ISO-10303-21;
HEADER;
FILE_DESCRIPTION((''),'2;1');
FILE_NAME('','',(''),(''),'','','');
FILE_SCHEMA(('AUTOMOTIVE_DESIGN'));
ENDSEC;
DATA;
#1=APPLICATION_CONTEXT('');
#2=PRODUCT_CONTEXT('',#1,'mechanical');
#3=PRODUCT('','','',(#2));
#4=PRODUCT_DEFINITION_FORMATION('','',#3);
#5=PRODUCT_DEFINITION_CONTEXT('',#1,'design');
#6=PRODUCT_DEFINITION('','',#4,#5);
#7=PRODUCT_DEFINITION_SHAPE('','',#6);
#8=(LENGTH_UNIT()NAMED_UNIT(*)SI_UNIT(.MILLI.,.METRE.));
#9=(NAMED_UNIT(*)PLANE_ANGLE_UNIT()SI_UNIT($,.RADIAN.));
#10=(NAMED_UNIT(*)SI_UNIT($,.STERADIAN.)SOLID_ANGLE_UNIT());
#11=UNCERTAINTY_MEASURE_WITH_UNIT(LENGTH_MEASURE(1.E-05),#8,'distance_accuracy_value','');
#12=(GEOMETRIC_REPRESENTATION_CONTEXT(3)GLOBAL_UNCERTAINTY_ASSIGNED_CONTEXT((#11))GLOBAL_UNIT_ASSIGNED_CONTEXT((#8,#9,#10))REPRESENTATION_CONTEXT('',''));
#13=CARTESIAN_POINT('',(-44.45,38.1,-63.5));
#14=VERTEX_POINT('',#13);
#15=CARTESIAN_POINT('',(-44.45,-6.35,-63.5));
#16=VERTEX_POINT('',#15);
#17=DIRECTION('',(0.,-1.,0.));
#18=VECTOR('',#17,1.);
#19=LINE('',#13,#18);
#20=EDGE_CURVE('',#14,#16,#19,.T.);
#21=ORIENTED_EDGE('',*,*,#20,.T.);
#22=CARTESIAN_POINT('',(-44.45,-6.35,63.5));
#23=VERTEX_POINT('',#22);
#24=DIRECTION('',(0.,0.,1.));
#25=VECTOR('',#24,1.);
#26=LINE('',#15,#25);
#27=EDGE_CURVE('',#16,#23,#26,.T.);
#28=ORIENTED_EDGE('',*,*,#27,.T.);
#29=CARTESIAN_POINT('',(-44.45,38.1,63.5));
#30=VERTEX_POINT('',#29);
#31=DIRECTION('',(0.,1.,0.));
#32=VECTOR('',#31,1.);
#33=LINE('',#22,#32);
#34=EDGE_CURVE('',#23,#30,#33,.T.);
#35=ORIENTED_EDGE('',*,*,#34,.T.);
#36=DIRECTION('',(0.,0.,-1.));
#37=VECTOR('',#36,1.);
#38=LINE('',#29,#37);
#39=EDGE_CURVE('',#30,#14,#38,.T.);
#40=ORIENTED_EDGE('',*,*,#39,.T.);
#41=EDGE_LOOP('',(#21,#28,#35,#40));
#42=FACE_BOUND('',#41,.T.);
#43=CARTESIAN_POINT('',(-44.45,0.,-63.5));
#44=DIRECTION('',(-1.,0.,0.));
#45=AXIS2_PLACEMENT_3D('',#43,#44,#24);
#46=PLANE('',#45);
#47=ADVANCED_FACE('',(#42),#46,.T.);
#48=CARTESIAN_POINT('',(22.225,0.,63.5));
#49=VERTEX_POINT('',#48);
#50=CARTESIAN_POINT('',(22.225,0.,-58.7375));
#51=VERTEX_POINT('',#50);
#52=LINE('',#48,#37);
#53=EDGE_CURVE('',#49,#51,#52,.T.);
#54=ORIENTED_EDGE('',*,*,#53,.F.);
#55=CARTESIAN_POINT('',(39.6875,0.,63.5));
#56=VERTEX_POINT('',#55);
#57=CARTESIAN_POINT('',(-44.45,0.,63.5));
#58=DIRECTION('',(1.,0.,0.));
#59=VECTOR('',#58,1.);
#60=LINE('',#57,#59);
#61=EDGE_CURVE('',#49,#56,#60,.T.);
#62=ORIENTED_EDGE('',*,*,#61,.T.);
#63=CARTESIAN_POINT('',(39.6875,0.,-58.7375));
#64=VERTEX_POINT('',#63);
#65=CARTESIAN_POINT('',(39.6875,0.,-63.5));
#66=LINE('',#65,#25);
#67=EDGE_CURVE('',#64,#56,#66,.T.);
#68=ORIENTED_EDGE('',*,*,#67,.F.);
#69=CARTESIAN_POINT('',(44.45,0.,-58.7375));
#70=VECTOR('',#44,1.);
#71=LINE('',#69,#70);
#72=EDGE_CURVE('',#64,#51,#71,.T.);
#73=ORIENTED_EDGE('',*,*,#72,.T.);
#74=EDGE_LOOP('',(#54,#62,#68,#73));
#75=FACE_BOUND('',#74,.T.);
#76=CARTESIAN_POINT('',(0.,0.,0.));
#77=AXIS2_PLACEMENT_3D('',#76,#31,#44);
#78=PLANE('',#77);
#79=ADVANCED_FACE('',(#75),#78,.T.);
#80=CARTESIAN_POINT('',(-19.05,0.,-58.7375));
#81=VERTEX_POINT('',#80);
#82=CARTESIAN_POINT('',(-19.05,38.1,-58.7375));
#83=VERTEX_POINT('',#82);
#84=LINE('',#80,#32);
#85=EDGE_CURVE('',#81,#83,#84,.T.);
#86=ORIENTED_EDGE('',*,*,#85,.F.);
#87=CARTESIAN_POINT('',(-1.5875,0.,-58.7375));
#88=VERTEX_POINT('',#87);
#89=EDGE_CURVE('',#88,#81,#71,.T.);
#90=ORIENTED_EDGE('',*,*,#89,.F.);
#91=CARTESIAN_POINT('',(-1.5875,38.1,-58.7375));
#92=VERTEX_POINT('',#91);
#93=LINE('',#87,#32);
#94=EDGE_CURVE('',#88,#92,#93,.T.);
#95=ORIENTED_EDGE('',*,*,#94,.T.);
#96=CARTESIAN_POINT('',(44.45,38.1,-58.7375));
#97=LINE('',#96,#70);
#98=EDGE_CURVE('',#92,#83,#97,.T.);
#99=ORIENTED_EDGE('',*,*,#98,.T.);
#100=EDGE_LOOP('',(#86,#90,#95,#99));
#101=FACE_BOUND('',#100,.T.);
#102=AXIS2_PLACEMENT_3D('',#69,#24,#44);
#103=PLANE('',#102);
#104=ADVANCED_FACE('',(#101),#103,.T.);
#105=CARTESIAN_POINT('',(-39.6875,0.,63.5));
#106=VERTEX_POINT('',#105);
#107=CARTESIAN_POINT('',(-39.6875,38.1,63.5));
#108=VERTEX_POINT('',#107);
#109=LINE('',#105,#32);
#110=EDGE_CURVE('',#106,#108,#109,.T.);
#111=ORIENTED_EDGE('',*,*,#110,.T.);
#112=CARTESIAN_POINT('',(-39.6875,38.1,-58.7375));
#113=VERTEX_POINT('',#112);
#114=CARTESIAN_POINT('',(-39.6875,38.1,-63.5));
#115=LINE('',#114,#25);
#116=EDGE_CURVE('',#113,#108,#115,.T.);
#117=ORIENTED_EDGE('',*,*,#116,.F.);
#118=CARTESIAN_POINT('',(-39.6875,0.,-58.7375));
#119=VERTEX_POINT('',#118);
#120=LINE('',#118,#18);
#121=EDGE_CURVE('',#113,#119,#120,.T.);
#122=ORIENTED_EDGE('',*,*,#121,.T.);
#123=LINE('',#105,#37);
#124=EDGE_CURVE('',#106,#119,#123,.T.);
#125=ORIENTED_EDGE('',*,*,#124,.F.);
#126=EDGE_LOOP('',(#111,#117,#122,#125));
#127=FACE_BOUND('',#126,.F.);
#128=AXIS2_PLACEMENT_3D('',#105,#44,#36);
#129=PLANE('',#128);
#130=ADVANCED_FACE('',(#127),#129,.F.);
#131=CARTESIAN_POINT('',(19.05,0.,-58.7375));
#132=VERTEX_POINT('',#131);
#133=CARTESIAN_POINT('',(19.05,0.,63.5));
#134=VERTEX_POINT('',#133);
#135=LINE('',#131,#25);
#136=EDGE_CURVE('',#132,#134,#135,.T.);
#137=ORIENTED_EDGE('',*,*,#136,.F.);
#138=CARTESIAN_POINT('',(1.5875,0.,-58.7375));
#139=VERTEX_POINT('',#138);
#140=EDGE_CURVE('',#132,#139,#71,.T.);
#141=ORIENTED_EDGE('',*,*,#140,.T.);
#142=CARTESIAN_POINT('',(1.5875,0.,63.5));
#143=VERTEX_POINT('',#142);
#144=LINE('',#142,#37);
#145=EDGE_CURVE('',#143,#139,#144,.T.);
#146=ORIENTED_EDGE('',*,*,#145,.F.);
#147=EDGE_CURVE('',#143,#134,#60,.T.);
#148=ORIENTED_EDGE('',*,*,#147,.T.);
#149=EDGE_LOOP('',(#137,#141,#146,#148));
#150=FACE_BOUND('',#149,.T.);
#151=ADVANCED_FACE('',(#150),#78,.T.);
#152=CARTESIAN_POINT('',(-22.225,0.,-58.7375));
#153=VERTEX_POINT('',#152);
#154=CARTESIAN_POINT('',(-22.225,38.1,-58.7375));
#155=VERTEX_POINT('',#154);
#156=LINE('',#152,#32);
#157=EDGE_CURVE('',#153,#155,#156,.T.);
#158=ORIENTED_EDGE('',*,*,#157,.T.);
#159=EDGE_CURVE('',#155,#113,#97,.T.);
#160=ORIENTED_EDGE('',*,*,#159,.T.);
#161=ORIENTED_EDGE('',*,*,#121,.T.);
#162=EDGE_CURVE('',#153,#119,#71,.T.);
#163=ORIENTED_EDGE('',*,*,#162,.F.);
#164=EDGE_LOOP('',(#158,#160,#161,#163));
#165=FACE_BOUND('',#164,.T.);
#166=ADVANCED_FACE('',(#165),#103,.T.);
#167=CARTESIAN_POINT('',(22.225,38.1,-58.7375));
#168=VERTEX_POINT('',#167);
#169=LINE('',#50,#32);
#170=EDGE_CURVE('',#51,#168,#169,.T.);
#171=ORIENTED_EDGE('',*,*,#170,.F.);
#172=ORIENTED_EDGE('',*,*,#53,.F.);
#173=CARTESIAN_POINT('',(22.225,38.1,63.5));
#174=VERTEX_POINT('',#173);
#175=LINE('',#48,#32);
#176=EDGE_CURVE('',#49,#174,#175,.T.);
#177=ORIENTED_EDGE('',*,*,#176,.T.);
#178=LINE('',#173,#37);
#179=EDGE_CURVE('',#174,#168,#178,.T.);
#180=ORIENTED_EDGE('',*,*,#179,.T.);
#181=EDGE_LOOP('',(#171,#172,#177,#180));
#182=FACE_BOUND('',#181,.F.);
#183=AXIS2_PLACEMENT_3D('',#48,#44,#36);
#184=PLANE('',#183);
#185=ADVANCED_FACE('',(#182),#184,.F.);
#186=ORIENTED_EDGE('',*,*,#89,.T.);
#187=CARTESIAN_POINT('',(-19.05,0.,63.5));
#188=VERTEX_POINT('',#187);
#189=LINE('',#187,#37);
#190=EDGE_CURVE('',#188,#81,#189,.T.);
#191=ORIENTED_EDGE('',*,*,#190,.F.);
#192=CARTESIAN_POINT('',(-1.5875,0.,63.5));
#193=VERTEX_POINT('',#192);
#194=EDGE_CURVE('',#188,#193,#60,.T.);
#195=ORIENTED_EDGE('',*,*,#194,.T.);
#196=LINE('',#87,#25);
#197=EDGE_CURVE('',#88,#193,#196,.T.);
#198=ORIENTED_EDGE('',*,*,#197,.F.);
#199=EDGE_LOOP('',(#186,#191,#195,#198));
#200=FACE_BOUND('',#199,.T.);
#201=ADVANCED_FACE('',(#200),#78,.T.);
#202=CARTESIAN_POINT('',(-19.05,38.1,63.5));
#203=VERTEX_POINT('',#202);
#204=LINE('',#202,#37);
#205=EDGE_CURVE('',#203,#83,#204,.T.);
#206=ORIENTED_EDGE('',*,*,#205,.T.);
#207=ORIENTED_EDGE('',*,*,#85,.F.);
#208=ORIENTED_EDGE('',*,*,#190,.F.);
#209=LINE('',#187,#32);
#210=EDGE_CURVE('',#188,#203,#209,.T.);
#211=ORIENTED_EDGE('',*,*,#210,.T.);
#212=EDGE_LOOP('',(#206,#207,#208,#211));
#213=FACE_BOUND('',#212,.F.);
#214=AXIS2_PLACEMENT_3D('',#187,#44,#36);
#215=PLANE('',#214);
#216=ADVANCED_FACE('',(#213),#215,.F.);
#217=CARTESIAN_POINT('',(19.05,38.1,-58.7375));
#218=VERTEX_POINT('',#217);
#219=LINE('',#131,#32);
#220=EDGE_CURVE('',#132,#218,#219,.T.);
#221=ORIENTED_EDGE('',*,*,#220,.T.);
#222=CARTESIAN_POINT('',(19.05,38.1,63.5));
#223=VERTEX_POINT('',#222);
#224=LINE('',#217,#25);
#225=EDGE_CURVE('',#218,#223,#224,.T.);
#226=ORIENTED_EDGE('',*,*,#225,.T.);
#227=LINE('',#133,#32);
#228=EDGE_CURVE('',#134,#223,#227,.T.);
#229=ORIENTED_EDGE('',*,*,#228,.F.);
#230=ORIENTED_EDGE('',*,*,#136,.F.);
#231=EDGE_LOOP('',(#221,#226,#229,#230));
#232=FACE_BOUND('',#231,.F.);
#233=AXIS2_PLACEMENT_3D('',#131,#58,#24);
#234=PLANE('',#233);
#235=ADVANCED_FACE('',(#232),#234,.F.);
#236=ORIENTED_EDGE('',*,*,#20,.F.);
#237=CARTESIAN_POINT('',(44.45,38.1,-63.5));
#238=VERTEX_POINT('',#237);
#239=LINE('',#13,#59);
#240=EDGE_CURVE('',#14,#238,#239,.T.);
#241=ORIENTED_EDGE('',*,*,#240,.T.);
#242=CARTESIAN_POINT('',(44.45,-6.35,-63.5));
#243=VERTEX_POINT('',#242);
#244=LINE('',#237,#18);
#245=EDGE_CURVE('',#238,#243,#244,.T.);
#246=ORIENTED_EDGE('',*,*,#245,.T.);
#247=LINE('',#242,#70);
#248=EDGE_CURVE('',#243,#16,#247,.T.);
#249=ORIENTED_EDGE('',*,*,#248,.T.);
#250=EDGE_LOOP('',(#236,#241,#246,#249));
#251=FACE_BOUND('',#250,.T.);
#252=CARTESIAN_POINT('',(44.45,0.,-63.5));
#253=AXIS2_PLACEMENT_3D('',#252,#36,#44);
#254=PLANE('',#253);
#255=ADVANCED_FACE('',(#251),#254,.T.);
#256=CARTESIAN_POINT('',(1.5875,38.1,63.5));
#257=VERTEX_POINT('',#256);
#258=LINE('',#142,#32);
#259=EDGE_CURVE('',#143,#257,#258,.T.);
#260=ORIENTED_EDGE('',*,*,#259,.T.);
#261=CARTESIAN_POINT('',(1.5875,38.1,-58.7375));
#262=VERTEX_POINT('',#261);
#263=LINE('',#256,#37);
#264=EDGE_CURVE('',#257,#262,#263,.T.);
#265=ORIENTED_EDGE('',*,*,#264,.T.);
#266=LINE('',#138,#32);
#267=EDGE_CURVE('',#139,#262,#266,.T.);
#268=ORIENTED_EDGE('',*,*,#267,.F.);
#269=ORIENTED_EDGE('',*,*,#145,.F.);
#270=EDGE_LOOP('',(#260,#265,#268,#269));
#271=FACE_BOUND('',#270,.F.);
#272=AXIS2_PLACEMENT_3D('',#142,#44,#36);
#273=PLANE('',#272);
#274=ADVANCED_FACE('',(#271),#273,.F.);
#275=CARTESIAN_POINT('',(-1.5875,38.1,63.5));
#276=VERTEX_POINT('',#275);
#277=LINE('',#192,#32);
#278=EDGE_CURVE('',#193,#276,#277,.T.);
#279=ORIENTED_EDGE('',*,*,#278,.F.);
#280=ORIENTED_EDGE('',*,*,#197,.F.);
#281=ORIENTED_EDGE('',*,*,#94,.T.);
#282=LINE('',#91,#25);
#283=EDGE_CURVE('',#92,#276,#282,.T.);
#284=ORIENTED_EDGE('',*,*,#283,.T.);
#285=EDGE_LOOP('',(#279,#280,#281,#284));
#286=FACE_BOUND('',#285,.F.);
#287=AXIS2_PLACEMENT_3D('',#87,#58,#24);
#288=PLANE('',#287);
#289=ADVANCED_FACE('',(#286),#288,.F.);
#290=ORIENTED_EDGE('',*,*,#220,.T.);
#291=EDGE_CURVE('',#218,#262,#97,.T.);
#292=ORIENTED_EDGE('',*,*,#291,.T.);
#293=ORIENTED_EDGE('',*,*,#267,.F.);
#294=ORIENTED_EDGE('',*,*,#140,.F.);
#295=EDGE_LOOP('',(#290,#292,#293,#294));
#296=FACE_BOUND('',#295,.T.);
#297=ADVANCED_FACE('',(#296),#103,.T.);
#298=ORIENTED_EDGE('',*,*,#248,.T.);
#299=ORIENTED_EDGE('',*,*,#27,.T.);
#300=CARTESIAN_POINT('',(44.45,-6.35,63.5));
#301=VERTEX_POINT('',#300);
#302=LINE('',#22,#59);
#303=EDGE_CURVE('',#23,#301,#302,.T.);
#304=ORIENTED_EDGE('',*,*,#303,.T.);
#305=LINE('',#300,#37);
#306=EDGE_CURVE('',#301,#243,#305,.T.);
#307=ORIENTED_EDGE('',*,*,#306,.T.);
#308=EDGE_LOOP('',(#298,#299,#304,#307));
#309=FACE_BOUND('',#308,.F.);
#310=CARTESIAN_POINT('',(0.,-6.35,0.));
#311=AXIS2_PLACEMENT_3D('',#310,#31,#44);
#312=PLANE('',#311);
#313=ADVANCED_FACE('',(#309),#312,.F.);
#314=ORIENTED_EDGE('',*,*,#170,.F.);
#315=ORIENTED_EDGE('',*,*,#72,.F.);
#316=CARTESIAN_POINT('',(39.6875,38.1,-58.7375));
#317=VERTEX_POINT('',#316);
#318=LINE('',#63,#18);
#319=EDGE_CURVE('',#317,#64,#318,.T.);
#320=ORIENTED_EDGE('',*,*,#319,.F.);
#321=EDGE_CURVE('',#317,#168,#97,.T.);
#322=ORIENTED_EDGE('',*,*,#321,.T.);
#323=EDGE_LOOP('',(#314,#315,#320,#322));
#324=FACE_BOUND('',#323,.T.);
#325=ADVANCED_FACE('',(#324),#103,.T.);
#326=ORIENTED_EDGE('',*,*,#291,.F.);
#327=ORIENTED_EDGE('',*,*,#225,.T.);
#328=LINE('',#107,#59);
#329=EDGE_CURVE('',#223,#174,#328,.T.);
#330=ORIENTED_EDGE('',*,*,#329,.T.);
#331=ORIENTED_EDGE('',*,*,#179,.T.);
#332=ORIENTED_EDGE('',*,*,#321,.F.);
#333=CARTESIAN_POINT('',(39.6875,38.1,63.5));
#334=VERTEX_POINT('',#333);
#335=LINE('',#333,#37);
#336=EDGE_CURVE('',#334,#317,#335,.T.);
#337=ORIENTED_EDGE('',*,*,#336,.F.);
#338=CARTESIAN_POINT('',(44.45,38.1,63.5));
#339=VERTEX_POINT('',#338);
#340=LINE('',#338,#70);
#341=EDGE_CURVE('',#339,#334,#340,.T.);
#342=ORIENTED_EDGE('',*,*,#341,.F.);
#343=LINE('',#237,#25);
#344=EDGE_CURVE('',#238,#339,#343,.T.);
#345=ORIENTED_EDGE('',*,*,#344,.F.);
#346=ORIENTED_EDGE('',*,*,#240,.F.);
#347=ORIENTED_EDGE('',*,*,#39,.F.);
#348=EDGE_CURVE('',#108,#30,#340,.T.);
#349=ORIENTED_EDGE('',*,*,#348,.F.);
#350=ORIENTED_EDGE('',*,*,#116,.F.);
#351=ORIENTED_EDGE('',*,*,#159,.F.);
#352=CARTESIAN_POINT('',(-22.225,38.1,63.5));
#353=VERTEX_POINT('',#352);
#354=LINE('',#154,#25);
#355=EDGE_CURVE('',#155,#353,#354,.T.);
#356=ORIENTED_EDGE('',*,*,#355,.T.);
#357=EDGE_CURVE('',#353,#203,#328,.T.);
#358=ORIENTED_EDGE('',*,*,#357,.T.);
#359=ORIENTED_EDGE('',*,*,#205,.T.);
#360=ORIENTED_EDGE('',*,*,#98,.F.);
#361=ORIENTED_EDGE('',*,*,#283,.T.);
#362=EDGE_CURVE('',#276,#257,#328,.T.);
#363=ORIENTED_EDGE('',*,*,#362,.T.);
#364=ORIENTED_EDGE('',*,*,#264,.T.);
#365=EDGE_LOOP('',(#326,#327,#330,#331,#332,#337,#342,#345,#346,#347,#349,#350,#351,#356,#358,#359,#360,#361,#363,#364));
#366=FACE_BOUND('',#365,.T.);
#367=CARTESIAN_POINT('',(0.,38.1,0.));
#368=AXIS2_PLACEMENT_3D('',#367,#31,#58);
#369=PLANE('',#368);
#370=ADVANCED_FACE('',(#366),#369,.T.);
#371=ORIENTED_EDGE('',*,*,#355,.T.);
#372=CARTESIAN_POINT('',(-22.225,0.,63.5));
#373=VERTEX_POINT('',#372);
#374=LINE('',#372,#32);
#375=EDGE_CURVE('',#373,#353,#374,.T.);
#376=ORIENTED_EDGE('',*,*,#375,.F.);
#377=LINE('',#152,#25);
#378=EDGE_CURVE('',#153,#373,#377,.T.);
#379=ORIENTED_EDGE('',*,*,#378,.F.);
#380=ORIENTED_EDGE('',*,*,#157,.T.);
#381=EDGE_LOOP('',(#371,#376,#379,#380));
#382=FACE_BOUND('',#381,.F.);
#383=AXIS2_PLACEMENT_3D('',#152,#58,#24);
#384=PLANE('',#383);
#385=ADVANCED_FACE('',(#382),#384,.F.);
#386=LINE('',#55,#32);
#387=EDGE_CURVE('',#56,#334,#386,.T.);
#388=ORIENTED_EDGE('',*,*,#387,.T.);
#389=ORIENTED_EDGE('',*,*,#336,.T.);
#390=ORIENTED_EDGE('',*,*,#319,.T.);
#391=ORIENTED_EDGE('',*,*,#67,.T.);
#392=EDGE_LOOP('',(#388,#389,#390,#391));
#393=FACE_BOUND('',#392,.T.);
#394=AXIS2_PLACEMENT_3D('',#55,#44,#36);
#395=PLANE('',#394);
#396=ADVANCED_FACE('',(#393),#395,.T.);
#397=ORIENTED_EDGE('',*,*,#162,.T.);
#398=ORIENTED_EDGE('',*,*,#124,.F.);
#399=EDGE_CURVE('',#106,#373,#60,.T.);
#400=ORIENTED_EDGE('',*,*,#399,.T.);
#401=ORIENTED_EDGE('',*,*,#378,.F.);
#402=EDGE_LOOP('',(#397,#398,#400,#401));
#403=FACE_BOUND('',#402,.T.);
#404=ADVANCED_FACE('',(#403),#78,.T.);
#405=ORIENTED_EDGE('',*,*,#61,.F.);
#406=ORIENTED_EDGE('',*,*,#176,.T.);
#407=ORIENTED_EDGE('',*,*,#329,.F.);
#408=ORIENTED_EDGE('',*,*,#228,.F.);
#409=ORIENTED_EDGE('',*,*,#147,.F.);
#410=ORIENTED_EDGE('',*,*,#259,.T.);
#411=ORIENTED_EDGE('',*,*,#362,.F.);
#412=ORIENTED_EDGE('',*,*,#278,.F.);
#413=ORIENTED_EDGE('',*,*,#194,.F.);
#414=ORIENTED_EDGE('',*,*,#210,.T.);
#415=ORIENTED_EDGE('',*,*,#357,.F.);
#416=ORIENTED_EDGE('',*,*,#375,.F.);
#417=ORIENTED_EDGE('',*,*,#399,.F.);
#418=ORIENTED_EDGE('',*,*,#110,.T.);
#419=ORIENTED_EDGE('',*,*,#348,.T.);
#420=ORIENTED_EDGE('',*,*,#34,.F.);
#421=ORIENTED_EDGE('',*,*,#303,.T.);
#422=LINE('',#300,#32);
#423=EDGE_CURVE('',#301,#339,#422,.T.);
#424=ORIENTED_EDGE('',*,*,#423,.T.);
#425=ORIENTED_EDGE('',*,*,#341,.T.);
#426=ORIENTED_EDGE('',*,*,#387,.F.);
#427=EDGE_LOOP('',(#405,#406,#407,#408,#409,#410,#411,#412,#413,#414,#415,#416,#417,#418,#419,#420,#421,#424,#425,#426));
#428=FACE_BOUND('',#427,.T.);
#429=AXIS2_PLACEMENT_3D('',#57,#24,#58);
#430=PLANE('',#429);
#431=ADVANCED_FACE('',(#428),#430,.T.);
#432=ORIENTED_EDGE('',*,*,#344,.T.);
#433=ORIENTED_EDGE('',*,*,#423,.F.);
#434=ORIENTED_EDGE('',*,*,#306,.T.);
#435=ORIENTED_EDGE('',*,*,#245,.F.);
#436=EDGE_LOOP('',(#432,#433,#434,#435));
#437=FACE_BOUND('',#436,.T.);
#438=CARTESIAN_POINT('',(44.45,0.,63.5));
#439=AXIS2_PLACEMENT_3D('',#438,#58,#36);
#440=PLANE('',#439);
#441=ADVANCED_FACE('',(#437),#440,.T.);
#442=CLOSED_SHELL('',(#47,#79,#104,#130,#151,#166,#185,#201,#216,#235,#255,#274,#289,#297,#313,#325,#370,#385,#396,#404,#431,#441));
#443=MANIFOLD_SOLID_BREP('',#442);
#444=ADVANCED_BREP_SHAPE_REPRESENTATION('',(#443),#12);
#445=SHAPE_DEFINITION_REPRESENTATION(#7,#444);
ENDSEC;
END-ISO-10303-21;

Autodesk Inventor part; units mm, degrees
ref_plane "YZ Plane" through (0, 0, 0) normal (1, 0, 0) x (0, 1, 0)
ref_plane "XZ Plane" through (0, 0, 0) normal (0, 1, 0) x (-1, 0, 0)
ref_plane "XY Plane" through (0, 0, 0) normal (0, 0, 1) x (1, 0, 0)
sketch "Sketch2" plane through (0, 0, 0) normal (0, 1, 0) x (-1, 0, 0)
  line L0 (44.45, 63.5) -> (-44.45, 63.5)
  line L1 (-44.45, 63.5) -> (-44.45, -63.5)
  line L2 (-44.45, -63.5) -> (44.45, -63.5)
  line L3 (44.45, -63.5) -> (44.45, 63.5)
  line L4 (44.45, 63.5) -> (-44.45, -63.5) construction
  line L5 (-44.45, 63.5) -> (44.45, -63.5) construction
  point P0 (0, 0)
  dimension "d0" = 127
  dimension "d1" = 88.9
extrude "Extrusion1" add sketch "Sketch2" against normal blind 6.35
sketch "Sketch4" plane through (0, 0, 0) normal (0, 1, 0) x (1, 0, 0)
  line L0 (-44.45, -63.5) -> (-44.45, 63.5) projected
  line L1 (44.45, 63.5) -> (44.45, -63.5) projected
  line L2 (-44.45, 63.5) -> (44.45, 63.5)
  line L3 (44.45, 63.5) -> (44.45, 58.7375)
  line L4 (44.45, 58.7375) -> (-44.45, 58.7375)
  line L5 (-44.45, 58.7375) -> (-44.45, 63.5)
  point P0 (0, 0)
  point P1 (-44.45, 58.7375)
  dimension "d4" = 4.7625
extrude "Extrusion2" add sketch "Sketch4" along normal blind 38.1
sketch "Sketch5" plane through (0, 0, 0) normal (0, 1, 0) x (1, 0, 0)
  line L0 (44.45, -63.5) -> (-44.45, -63.5) projected
  line L1 (-44.45, 58.7375) -> (44.45, 58.7375) projected
  line L2 (-44.45, -63.5) -> (-39.6875, -63.5)
  line L3 (-39.6875, -63.5) -> (-39.6875, 58.7375)
  line L4 (-44.45, 58.7375) -> (-44.45, -63.5)
  line L5 (44.45, 63.5) -> (44.45, -63.5) projected
  line L6 (44.45, -63.5) -> (39.6875, -63.5)
  line L7 (39.6875, -63.5) -> (39.6875, 58.7375)
  line L8 (44.45, 58.7375) -> (44.45, -63.5)
  line L9 (-44.45, 58.7375) -> (-44.45, -63.5) projected
  line L10 (-44.45, -63.5) -> (-44.45, 63.5) projected
  line L11 (-44.45, 58.7375) -> (-44.45, 63.5)
  line L12 (-44.45, 63.5) -> (-39.6875, 63.5)
  line L13 (-44.45, 63.5) -> (44.45, 63.5) projected
  line L14 (-39.6875, 58.7375) -> (-39.6875, 63.5)
  line L15 (44.45, 58.7375) -> (-44.45, 58.7375) projected
  line L16 (44.45, 58.7375) -> (44.45, 63.5)
  line L17 (39.6875, 63.5) -> (39.6875, 58.7375)
  point P0 (0, 0)
  point P1 (39.6875, -63.5)
  point P2 (-44.45, 58.7375)
  dimension "d7" = 4.7625
  dimension "d8" = 4.7625
extrude "Extrusion3" add sketch "Sketch5" along normal blind 38.1 contours L0 L7 L1 L5 | L1 L17 L13 L5 | L0 L4 L1 L3 | L1 L10 L12 L14
sketch "Sketch6" plane through (0, 0, 0) normal (0, 1, 0) x (1, 0, 0)
  line L0 (-39.6875, -63.5) -> (39.6875, -63.5) projected
  line L1 (-39.6875, 58.7375) -> (39.6875, 58.7375) projected
  line L2 (-22.225, -63.5) -> (-19.05, -63.5)
  line L3 (-19.05, -63.5) -> (-19.05, 58.7375)
  line L4 (-19.05, 58.7375) -> (-22.225, 58.7375)
  line L5 (-22.225, 58.7375) -> (-22.225, -63.5)
  line L6 (-1.5875, -63.5) -> (1.5875, -63.5)
  line L7 (1.5875, -63.5) -> (1.5875, 58.7375)
  line L8 (1.5875, 58.7375) -> (-1.5875, 58.7375)
  line L9 (-1.5875, 58.7375) -> (-1.5875, -63.5)
  line L10 (19.05, -63.5) -> (22.225, -63.5)
  line L11 (22.225, -63.5) -> (22.225, 58.7375)
  line L12 (22.225, 58.7375) -> (19.05, 58.7375)
  line L13 (19.05, 58.7375) -> (19.05, -63.5)
  line L14 (-39.6875, -63.5) -> (-39.6875, 58.7375) projected
  line L15 (39.6875, 58.7375) -> (39.6875, -63.5) projected
  point P0 (0, 0)
  point P1 (19.05, -63.5)
  point P2 (22.225, -63.5)
  point P3 (22.225, 58.7375)
  point P4 (-1.5875, 58.7375)
  point P5 (-1.5875, -63.5)
  dimension "d11" = 3.175
  dimension "d12" = 3.175
  dimension "d13" = 3.175
  dimension "d14" = 17.4625
  dimension "d15" = 17.4625
  dimension "d16" = 17.4625
  dimension "d17" = 17.4625
extrude "Extrusion4" add sketch "Sketch6" along normal blind 38.1 contours L5 L1 L3 L0 | L9 L1 L7 L0 | L13 L1 L11 L0
sketch "Sketch7" plane through (-39.6875, 0, -58.7375) normal (0, 0, 1) x (1, 0, 0)
  line L0 (0, 76.2) -> (0, 0) construction
  line L1 (0, 38.1) -> (79.375, 38.1) construction
  line L2 (79.375, 0) -> (79.375, 76.2) construction
  line L3 (39.6875, 38.1) -> (39.6875, 38.1) construction
  line L4 (84.1375, 38.1) -> (-4.7625, 38.1) construction
  point P0 (39.6875, 0)
  point P1 (8.7313, 38.1)
  point P2 (84.1375, 25.4)
  point P3 (-4.7625, 25.4)
  point P4 (8.7312, 38.1)
  dimension "d18" = 8.7312
equation "\"d0\" = depth"
equation "\"d1\" = width"
equation "\"d2\" = baseThickness"
equation "\"d4\" = backThickness"
equation "\"d5\" = backHeight"
equation "\"d7\" = edgeThickness"
equation "\"d8\" = edgeThickness"
equation "\"d9\" = edgeHeight"
equation "\"d11\" = dividerThickness"
equation "\"d12\" = dividerThickness"
equation "\"d13\" = dividerThickness"
equation "\"d14\" = dividerGap"
equation "\"d15\" = dividerGap"
equation "\"d16\" = dividerGap"
equation "\"d19\" = dividerHeight"
equation "\"d18\" = 0.5 * dividerGap"
equation "\"baseThickness\" = 6.35"
equation "\"width\" = 88.9"
equation "\"depth\" = 127"
equation "\"backHeight\" = 38.1"
equation "\"backThickness\" = 4.7625"
equation "\"edgeThickness\" = 4.7625"
equation "\"edgeHeight\" = 38.1"
equation "\"dividerThickness\" = 3.175"
equation "\"dividerHeight\" = 38.1"
equation "\"dividerGap\" = 17.4625"
properties part number "shelfForElectronics"
